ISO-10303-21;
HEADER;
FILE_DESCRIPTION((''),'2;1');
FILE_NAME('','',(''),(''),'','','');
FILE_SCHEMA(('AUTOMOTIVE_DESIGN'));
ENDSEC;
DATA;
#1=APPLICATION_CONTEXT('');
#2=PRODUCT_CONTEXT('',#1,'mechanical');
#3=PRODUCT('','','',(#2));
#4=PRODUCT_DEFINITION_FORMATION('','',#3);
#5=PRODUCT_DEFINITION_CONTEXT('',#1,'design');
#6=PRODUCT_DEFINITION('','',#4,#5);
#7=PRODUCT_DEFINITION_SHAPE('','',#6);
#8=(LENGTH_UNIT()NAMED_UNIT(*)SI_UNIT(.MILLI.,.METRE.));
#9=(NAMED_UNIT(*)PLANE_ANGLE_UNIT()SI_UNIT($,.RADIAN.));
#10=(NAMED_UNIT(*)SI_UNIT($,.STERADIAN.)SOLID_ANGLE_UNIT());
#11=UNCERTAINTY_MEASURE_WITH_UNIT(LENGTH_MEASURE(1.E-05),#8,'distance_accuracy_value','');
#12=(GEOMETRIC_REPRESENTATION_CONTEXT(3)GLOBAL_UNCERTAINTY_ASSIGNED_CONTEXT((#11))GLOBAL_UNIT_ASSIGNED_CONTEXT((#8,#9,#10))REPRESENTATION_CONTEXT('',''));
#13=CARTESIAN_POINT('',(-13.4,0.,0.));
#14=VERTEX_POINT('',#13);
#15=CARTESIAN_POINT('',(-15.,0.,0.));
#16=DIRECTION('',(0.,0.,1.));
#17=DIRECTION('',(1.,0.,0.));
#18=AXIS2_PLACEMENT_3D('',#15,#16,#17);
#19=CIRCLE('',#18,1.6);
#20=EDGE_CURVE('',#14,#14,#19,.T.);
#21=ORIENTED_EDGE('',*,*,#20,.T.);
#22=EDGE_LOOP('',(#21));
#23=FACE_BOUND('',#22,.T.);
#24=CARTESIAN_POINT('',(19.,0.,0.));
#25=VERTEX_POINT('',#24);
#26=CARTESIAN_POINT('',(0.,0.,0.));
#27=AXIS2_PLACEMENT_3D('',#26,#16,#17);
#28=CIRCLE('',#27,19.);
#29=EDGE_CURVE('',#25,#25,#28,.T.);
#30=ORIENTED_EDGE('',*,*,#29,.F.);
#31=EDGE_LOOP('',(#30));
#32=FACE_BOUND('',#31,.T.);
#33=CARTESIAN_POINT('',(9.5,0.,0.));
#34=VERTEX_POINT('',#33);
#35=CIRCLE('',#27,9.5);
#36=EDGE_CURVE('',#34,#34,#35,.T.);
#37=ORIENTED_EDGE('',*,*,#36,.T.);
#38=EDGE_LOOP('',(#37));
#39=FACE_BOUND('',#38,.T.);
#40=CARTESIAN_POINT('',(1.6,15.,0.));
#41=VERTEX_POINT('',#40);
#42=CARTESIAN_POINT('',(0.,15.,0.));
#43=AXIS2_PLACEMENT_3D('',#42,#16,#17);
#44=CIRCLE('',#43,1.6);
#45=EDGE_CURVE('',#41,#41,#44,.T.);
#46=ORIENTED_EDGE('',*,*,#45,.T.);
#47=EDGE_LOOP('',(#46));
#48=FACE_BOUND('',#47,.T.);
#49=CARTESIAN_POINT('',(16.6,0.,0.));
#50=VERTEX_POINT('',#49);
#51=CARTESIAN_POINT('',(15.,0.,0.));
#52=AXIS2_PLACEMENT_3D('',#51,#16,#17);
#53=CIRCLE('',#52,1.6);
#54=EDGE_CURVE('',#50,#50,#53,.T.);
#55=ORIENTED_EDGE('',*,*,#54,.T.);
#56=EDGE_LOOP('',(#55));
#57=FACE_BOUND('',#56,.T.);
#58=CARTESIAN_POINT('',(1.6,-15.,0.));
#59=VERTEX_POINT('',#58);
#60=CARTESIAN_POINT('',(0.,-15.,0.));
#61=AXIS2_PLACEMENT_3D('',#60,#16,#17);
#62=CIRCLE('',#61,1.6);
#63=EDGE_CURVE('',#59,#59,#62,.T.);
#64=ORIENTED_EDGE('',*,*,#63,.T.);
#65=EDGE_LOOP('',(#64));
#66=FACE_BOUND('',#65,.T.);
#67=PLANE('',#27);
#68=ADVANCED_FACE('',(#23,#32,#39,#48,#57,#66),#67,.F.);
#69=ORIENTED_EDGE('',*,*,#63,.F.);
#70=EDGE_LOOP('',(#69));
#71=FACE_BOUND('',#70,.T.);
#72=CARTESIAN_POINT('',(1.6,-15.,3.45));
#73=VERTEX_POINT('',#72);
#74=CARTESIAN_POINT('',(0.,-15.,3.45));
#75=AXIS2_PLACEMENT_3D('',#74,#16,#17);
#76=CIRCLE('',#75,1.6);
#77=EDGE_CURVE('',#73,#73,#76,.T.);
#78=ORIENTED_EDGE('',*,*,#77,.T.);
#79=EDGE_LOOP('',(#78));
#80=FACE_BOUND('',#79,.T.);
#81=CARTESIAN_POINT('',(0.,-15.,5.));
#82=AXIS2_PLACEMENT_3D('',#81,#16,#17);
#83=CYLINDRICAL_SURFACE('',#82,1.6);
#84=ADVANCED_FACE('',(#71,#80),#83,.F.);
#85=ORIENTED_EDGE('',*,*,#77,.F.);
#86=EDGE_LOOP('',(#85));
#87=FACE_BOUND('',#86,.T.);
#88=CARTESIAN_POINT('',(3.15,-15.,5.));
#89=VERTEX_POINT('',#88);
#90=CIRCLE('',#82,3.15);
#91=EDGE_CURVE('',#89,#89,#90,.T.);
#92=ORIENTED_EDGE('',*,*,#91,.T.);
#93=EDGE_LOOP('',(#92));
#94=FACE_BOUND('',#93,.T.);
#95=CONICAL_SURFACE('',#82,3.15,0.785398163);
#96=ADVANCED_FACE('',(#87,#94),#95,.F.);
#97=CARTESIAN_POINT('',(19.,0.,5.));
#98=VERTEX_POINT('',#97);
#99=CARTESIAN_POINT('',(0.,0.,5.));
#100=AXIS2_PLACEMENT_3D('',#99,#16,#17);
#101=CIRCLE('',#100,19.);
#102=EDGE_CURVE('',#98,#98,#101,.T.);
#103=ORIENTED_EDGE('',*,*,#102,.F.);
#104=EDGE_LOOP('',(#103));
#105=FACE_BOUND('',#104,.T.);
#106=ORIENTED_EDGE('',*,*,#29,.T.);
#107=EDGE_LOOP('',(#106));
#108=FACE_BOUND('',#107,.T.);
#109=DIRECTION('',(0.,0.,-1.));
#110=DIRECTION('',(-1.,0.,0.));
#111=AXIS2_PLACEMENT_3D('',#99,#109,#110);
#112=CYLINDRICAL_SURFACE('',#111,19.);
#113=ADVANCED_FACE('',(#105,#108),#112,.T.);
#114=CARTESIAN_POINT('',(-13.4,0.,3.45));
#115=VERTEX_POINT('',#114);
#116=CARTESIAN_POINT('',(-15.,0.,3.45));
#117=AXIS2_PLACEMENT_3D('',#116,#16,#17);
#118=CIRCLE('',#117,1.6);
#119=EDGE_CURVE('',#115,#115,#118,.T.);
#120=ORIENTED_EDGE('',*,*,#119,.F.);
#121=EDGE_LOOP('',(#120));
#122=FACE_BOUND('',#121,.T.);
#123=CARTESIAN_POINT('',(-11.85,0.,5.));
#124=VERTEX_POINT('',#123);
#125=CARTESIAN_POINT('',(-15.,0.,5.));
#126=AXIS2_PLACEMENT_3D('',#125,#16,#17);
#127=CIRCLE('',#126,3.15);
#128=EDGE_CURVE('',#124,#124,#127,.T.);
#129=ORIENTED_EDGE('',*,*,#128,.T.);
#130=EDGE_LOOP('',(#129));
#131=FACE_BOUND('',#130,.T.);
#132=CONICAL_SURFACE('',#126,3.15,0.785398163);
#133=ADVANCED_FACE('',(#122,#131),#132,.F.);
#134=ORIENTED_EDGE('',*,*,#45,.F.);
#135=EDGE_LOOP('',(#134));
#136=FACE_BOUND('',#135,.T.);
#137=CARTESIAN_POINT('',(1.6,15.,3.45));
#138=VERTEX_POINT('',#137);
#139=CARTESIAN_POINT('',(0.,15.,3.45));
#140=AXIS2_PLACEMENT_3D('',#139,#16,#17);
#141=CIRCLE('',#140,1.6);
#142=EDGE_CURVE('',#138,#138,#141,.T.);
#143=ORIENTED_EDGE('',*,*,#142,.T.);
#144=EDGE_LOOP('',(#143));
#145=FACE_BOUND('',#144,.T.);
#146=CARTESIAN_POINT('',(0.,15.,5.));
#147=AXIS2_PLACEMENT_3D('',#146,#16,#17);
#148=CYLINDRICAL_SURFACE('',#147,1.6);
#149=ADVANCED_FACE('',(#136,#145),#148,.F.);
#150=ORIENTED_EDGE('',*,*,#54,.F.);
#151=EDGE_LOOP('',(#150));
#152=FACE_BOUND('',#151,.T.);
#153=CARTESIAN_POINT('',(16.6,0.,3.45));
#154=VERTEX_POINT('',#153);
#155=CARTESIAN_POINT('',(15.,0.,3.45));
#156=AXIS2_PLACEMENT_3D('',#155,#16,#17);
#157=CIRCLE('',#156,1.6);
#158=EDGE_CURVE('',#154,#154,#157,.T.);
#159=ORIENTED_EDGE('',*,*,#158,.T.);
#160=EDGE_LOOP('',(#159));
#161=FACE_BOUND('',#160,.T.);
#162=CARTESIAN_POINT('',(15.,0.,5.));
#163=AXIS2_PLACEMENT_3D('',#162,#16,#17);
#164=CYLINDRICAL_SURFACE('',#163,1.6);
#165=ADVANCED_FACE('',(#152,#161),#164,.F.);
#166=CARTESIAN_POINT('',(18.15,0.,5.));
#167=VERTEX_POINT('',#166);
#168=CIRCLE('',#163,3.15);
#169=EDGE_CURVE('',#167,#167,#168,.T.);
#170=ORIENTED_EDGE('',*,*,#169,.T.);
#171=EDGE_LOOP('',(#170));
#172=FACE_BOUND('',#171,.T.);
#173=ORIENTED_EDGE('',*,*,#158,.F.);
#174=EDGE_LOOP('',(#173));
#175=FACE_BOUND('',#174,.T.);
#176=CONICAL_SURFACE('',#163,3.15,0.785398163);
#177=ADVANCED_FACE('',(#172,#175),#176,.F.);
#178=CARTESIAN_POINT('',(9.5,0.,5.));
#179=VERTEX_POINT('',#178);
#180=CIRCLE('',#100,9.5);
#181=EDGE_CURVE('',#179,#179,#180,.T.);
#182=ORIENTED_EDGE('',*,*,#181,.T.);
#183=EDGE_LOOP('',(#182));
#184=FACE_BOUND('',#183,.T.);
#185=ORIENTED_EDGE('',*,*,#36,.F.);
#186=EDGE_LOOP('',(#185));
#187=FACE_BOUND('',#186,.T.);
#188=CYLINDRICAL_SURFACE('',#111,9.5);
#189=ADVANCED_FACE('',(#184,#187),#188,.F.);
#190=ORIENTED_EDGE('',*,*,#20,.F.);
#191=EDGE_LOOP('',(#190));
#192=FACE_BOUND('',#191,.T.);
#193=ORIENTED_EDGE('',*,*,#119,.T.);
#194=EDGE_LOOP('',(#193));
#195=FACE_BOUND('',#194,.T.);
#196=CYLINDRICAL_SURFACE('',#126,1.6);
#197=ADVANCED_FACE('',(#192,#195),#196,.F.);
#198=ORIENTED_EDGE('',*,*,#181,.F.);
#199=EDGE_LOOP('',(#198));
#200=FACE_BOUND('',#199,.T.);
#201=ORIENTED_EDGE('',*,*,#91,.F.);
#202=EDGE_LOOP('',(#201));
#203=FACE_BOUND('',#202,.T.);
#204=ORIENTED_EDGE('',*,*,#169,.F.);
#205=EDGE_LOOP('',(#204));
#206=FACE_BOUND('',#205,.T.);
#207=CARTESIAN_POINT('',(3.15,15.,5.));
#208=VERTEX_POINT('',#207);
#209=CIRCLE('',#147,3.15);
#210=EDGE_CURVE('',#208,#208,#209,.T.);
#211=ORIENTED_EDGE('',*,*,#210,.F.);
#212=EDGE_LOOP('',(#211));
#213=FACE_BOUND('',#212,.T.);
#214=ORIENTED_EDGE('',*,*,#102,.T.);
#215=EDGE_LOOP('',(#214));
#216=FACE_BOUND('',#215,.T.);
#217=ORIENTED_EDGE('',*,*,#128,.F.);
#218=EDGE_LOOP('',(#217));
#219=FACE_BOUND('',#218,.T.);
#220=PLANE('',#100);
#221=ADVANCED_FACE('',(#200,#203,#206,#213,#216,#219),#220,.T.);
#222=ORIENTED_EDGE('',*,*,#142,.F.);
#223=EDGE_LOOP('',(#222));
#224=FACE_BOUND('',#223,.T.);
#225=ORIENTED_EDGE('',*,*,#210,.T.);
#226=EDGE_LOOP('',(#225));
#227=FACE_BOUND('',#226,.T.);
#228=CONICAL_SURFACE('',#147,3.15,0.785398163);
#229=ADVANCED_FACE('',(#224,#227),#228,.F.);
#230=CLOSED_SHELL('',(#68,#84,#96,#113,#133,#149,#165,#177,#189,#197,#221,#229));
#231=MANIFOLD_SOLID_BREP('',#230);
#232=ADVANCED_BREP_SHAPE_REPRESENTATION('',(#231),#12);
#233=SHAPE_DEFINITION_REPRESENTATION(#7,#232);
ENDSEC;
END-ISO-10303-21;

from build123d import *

# Parameters (mm, degrees)
SKETCH_1_R                   = 19
SKETCH_1_R_2                 = 9.5
EXTRUDE_1_DEPTH              = 5
HOLE_WIZARD_M3_1_D           = 3.2
HOLE_WIZARD_M3_1_CSINK_D     = 6.3
HOLE_WIZARD_M3_1_CSINK_ANGLE = 90


with BuildPart() as part:
    # ｽｹｯﾁ1 → ﾎﾞｽ - 押し出し1 (new body)
    with BuildSketch(Plane.XY):
        Circle(SKETCH_1_R)
        Circle(SKETCH_1_R_2, mode=Mode.SUBTRACT)
    extrude(amount=EXTRUDE_1_DEPTH)

    # M3 丸皿ねじ用皿穴1 (through all)
    with Locations(Plane(origin=(0, 15, 5), x_dir=(1, 0, 0), z_dir=(0, 0, 1))):
        with Locations((0, 0), (15, -15), (0, -30), (-15, -15)):
            CounterSinkHole(HOLE_WIZARD_M3_1_D / 2, HOLE_WIZARD_M3_1_CSINK_D / 2, counter_sink_angle=HOLE_WIZARD_M3_1_CSINK_ANGLE)


solid = part.part
